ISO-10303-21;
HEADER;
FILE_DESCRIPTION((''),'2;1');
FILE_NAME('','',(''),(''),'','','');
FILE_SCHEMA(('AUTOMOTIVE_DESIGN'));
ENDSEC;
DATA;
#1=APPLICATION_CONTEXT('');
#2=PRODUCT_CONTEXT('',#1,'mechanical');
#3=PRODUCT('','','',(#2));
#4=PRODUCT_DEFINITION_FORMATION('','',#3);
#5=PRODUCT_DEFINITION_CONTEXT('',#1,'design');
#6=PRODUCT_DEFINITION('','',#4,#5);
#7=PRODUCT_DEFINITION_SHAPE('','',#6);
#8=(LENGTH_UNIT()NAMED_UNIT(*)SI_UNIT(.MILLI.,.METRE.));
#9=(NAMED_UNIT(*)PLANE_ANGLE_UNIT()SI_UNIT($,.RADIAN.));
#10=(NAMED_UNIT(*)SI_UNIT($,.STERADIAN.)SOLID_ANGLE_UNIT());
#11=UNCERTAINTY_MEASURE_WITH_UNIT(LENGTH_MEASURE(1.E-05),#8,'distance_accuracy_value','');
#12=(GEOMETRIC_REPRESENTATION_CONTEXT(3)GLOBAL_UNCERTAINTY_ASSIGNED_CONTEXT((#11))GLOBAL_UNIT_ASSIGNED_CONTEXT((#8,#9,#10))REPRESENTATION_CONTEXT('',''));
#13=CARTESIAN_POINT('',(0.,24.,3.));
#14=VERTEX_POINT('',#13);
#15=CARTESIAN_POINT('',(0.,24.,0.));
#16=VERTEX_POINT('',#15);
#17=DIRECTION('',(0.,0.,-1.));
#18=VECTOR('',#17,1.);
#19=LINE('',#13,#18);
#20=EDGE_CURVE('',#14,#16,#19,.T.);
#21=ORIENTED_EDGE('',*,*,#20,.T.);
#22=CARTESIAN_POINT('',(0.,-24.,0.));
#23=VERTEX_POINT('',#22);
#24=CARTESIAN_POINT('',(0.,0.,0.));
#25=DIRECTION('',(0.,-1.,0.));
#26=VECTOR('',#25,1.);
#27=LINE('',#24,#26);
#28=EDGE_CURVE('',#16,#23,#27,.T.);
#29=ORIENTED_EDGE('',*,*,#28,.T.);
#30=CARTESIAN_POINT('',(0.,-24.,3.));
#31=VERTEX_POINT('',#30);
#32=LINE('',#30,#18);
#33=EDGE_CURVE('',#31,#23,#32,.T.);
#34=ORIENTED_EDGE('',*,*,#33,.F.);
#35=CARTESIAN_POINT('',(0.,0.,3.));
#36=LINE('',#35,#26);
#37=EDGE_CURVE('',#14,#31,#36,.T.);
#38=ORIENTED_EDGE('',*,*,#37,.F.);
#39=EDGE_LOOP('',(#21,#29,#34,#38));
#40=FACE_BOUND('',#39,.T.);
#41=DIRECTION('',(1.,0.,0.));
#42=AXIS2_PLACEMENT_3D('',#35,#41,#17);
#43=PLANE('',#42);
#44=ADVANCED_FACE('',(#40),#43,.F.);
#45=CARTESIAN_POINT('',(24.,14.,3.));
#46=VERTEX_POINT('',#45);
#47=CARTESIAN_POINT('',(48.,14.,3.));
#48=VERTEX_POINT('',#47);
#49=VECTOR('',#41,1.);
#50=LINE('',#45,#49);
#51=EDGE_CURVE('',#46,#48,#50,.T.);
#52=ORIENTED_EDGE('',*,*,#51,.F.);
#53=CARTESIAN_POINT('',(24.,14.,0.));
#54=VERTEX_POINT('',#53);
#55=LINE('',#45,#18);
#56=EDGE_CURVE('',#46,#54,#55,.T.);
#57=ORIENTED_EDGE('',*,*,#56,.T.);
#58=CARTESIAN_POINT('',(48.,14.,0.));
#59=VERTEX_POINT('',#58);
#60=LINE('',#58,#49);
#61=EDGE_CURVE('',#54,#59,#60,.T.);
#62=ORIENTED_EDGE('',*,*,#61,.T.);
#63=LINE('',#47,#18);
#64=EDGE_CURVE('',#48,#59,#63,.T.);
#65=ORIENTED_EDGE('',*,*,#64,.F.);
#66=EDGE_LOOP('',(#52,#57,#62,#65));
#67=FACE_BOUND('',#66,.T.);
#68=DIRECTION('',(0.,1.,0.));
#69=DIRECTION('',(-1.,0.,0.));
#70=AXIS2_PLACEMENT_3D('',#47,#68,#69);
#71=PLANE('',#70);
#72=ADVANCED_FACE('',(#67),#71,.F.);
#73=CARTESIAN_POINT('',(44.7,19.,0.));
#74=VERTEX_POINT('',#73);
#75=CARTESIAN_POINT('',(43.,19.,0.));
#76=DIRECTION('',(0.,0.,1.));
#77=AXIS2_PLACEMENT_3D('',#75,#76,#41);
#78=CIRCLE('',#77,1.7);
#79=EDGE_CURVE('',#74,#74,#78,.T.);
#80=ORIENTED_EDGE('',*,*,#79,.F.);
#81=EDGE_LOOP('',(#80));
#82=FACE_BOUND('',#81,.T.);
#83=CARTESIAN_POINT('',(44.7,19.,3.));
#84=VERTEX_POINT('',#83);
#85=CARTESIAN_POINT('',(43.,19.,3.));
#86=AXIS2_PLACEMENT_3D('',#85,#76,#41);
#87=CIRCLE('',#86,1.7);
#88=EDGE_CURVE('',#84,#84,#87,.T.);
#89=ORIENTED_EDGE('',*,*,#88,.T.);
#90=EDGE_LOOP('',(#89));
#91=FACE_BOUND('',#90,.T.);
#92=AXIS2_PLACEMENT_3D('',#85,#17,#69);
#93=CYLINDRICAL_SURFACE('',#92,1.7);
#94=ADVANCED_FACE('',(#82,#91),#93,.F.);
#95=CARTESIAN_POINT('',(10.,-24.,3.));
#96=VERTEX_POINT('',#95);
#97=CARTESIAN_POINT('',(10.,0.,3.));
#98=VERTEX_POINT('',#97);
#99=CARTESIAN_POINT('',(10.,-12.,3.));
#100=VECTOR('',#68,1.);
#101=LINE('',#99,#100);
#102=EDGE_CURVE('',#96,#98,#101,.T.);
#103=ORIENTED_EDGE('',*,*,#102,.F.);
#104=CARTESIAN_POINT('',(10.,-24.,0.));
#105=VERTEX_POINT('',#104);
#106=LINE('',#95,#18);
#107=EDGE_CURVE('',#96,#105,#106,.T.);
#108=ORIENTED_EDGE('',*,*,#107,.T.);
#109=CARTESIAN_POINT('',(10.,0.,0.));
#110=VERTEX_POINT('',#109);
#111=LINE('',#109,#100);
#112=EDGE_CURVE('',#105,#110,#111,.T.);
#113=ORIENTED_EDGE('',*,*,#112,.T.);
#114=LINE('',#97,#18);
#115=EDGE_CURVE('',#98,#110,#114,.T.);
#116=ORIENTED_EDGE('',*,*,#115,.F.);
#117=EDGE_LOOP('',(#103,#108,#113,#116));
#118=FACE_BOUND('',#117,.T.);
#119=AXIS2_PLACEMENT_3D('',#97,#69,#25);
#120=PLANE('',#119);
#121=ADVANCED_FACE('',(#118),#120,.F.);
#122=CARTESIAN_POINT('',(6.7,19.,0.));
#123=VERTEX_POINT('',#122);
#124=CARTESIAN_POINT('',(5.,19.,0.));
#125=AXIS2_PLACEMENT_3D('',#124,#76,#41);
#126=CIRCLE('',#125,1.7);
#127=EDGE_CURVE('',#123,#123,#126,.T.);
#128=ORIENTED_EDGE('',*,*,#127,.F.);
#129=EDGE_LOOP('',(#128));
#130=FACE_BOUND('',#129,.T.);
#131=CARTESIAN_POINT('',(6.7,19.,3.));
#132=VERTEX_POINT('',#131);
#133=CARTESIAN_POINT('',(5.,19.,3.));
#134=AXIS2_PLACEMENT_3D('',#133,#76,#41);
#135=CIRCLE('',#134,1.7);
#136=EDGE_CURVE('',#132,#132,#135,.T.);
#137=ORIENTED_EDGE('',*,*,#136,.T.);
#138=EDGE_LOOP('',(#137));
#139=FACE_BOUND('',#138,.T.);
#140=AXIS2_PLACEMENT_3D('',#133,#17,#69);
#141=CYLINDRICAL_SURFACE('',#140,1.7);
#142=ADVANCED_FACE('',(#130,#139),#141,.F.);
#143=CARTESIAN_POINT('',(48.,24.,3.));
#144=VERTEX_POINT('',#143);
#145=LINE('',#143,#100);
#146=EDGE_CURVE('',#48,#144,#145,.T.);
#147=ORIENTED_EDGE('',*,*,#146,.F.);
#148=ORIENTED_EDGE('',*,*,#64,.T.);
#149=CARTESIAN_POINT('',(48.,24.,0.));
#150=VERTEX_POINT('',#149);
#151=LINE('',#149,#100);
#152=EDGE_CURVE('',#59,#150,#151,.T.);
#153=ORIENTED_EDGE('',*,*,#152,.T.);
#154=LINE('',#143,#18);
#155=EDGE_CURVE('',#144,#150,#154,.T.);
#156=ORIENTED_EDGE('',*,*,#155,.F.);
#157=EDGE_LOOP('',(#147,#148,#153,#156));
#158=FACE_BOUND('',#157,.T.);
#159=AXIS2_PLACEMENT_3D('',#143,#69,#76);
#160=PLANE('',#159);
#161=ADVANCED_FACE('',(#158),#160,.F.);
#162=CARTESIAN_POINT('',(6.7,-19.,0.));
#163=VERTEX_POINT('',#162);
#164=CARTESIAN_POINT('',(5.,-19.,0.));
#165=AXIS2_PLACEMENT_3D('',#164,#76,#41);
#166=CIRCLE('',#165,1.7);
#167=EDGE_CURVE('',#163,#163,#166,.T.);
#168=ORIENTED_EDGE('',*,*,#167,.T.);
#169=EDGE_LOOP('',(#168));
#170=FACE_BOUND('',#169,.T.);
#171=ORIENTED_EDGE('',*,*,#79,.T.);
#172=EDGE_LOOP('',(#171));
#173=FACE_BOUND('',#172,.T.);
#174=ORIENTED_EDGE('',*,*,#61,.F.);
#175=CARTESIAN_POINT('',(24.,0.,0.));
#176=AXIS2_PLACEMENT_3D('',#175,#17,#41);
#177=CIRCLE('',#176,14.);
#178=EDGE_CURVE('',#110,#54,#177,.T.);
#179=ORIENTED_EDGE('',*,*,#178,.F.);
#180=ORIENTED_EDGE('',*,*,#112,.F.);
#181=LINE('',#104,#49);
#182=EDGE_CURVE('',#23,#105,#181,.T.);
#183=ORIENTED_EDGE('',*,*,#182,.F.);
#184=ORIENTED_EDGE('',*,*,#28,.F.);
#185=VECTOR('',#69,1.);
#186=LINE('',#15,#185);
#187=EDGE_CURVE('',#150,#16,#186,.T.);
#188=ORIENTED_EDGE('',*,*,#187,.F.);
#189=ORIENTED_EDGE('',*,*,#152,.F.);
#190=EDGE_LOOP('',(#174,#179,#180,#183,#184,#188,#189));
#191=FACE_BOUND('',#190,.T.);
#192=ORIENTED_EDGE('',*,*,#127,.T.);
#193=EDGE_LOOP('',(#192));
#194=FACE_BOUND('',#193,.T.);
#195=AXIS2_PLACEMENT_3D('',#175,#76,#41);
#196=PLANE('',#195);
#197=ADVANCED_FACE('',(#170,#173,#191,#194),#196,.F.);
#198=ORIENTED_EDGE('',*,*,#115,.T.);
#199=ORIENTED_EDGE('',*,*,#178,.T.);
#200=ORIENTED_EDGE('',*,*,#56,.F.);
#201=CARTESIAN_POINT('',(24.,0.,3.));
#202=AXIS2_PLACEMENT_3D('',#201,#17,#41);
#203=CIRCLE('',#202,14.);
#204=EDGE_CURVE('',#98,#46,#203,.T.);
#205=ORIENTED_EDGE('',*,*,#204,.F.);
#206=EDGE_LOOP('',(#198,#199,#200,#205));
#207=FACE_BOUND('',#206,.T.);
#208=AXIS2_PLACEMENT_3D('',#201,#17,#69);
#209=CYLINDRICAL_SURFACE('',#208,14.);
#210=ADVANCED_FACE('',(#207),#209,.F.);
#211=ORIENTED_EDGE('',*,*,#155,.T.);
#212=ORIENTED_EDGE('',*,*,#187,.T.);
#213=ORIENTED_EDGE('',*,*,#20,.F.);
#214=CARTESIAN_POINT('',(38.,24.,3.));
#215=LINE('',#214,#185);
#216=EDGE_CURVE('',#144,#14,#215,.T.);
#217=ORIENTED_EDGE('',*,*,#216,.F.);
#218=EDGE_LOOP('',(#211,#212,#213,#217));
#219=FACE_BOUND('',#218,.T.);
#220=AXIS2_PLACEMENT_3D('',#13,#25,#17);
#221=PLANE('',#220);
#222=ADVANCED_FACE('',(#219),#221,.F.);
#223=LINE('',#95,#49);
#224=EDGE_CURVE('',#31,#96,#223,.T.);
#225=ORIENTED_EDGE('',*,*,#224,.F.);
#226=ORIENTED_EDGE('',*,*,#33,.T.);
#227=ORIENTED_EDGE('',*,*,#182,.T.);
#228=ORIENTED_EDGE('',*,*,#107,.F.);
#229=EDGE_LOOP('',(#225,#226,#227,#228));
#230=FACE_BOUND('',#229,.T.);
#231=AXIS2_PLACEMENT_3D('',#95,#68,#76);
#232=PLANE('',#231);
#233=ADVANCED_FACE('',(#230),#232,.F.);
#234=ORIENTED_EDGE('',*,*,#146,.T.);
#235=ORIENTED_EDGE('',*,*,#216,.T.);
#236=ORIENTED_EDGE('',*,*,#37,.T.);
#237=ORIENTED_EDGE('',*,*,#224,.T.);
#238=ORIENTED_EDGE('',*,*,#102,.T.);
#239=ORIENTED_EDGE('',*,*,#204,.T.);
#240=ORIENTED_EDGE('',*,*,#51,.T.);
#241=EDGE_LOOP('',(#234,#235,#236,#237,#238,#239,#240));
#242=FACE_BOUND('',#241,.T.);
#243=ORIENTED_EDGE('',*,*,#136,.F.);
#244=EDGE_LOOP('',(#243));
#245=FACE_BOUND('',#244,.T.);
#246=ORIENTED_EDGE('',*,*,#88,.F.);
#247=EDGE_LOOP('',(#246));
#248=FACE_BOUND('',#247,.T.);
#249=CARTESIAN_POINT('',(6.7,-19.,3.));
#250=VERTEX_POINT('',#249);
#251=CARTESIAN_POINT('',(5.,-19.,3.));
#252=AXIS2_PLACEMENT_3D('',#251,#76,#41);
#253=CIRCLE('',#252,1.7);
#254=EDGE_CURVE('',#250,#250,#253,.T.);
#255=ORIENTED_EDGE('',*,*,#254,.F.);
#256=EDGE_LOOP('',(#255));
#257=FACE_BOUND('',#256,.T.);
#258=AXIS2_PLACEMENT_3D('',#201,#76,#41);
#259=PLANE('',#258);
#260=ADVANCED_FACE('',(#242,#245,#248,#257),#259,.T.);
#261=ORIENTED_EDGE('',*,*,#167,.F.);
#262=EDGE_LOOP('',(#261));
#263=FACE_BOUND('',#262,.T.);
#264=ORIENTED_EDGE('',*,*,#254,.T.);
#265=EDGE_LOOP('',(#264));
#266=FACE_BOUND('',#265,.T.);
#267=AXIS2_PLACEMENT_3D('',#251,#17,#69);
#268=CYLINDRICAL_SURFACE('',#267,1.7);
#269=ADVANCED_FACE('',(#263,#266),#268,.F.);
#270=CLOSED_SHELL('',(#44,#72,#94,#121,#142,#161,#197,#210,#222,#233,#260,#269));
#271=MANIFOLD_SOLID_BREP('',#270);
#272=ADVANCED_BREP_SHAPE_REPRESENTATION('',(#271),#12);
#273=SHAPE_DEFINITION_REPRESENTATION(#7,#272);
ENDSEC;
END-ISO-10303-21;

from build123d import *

# Parameters (mm, degrees)
SKETCH_1_R      = 1.7
EXTRUDE_1_DEPTH = 3


with BuildPart() as part:
    # 草图1 → 凸台-拉伸1 (new body)
    with BuildSketch(Plane.XY):
        with BuildLine():
            Line((0, 0), (0, 24))
            Line((0, 24), (24, 24))
            Line((24, 24), (38, 24))
            Line((38, 24), (48, 24))
            Line((48, 24), (48, 14))
            Line((48, 14), (34, 14))
            Line((34, 14), (24, 14))
            ThreePointArc((24, 14), (14.100505063, 9.899494937), (10, 0))
            Line((10, 0), (10, -12))
            Line((10, -12), (10, -24))
            Line((10, -24), (0, -24))
            Line((0, -24), (0, -14))
            Line((0, -14), (0, 0))
        make_face()
        with Locations((43, 19)):
            Circle(SKETCH_1_R, mode=Mode.SUBTRACT)
        with Locations((5, -19)):
            Circle(SKETCH_1_R, mode=Mode.SUBTRACT)
        with Locations((5, 19)):
            Circle(SKETCH_1_R, mode=Mode.SUBTRACT)
    extrude(amount=EXTRUDE_1_DEPTH)


solid = part.part
